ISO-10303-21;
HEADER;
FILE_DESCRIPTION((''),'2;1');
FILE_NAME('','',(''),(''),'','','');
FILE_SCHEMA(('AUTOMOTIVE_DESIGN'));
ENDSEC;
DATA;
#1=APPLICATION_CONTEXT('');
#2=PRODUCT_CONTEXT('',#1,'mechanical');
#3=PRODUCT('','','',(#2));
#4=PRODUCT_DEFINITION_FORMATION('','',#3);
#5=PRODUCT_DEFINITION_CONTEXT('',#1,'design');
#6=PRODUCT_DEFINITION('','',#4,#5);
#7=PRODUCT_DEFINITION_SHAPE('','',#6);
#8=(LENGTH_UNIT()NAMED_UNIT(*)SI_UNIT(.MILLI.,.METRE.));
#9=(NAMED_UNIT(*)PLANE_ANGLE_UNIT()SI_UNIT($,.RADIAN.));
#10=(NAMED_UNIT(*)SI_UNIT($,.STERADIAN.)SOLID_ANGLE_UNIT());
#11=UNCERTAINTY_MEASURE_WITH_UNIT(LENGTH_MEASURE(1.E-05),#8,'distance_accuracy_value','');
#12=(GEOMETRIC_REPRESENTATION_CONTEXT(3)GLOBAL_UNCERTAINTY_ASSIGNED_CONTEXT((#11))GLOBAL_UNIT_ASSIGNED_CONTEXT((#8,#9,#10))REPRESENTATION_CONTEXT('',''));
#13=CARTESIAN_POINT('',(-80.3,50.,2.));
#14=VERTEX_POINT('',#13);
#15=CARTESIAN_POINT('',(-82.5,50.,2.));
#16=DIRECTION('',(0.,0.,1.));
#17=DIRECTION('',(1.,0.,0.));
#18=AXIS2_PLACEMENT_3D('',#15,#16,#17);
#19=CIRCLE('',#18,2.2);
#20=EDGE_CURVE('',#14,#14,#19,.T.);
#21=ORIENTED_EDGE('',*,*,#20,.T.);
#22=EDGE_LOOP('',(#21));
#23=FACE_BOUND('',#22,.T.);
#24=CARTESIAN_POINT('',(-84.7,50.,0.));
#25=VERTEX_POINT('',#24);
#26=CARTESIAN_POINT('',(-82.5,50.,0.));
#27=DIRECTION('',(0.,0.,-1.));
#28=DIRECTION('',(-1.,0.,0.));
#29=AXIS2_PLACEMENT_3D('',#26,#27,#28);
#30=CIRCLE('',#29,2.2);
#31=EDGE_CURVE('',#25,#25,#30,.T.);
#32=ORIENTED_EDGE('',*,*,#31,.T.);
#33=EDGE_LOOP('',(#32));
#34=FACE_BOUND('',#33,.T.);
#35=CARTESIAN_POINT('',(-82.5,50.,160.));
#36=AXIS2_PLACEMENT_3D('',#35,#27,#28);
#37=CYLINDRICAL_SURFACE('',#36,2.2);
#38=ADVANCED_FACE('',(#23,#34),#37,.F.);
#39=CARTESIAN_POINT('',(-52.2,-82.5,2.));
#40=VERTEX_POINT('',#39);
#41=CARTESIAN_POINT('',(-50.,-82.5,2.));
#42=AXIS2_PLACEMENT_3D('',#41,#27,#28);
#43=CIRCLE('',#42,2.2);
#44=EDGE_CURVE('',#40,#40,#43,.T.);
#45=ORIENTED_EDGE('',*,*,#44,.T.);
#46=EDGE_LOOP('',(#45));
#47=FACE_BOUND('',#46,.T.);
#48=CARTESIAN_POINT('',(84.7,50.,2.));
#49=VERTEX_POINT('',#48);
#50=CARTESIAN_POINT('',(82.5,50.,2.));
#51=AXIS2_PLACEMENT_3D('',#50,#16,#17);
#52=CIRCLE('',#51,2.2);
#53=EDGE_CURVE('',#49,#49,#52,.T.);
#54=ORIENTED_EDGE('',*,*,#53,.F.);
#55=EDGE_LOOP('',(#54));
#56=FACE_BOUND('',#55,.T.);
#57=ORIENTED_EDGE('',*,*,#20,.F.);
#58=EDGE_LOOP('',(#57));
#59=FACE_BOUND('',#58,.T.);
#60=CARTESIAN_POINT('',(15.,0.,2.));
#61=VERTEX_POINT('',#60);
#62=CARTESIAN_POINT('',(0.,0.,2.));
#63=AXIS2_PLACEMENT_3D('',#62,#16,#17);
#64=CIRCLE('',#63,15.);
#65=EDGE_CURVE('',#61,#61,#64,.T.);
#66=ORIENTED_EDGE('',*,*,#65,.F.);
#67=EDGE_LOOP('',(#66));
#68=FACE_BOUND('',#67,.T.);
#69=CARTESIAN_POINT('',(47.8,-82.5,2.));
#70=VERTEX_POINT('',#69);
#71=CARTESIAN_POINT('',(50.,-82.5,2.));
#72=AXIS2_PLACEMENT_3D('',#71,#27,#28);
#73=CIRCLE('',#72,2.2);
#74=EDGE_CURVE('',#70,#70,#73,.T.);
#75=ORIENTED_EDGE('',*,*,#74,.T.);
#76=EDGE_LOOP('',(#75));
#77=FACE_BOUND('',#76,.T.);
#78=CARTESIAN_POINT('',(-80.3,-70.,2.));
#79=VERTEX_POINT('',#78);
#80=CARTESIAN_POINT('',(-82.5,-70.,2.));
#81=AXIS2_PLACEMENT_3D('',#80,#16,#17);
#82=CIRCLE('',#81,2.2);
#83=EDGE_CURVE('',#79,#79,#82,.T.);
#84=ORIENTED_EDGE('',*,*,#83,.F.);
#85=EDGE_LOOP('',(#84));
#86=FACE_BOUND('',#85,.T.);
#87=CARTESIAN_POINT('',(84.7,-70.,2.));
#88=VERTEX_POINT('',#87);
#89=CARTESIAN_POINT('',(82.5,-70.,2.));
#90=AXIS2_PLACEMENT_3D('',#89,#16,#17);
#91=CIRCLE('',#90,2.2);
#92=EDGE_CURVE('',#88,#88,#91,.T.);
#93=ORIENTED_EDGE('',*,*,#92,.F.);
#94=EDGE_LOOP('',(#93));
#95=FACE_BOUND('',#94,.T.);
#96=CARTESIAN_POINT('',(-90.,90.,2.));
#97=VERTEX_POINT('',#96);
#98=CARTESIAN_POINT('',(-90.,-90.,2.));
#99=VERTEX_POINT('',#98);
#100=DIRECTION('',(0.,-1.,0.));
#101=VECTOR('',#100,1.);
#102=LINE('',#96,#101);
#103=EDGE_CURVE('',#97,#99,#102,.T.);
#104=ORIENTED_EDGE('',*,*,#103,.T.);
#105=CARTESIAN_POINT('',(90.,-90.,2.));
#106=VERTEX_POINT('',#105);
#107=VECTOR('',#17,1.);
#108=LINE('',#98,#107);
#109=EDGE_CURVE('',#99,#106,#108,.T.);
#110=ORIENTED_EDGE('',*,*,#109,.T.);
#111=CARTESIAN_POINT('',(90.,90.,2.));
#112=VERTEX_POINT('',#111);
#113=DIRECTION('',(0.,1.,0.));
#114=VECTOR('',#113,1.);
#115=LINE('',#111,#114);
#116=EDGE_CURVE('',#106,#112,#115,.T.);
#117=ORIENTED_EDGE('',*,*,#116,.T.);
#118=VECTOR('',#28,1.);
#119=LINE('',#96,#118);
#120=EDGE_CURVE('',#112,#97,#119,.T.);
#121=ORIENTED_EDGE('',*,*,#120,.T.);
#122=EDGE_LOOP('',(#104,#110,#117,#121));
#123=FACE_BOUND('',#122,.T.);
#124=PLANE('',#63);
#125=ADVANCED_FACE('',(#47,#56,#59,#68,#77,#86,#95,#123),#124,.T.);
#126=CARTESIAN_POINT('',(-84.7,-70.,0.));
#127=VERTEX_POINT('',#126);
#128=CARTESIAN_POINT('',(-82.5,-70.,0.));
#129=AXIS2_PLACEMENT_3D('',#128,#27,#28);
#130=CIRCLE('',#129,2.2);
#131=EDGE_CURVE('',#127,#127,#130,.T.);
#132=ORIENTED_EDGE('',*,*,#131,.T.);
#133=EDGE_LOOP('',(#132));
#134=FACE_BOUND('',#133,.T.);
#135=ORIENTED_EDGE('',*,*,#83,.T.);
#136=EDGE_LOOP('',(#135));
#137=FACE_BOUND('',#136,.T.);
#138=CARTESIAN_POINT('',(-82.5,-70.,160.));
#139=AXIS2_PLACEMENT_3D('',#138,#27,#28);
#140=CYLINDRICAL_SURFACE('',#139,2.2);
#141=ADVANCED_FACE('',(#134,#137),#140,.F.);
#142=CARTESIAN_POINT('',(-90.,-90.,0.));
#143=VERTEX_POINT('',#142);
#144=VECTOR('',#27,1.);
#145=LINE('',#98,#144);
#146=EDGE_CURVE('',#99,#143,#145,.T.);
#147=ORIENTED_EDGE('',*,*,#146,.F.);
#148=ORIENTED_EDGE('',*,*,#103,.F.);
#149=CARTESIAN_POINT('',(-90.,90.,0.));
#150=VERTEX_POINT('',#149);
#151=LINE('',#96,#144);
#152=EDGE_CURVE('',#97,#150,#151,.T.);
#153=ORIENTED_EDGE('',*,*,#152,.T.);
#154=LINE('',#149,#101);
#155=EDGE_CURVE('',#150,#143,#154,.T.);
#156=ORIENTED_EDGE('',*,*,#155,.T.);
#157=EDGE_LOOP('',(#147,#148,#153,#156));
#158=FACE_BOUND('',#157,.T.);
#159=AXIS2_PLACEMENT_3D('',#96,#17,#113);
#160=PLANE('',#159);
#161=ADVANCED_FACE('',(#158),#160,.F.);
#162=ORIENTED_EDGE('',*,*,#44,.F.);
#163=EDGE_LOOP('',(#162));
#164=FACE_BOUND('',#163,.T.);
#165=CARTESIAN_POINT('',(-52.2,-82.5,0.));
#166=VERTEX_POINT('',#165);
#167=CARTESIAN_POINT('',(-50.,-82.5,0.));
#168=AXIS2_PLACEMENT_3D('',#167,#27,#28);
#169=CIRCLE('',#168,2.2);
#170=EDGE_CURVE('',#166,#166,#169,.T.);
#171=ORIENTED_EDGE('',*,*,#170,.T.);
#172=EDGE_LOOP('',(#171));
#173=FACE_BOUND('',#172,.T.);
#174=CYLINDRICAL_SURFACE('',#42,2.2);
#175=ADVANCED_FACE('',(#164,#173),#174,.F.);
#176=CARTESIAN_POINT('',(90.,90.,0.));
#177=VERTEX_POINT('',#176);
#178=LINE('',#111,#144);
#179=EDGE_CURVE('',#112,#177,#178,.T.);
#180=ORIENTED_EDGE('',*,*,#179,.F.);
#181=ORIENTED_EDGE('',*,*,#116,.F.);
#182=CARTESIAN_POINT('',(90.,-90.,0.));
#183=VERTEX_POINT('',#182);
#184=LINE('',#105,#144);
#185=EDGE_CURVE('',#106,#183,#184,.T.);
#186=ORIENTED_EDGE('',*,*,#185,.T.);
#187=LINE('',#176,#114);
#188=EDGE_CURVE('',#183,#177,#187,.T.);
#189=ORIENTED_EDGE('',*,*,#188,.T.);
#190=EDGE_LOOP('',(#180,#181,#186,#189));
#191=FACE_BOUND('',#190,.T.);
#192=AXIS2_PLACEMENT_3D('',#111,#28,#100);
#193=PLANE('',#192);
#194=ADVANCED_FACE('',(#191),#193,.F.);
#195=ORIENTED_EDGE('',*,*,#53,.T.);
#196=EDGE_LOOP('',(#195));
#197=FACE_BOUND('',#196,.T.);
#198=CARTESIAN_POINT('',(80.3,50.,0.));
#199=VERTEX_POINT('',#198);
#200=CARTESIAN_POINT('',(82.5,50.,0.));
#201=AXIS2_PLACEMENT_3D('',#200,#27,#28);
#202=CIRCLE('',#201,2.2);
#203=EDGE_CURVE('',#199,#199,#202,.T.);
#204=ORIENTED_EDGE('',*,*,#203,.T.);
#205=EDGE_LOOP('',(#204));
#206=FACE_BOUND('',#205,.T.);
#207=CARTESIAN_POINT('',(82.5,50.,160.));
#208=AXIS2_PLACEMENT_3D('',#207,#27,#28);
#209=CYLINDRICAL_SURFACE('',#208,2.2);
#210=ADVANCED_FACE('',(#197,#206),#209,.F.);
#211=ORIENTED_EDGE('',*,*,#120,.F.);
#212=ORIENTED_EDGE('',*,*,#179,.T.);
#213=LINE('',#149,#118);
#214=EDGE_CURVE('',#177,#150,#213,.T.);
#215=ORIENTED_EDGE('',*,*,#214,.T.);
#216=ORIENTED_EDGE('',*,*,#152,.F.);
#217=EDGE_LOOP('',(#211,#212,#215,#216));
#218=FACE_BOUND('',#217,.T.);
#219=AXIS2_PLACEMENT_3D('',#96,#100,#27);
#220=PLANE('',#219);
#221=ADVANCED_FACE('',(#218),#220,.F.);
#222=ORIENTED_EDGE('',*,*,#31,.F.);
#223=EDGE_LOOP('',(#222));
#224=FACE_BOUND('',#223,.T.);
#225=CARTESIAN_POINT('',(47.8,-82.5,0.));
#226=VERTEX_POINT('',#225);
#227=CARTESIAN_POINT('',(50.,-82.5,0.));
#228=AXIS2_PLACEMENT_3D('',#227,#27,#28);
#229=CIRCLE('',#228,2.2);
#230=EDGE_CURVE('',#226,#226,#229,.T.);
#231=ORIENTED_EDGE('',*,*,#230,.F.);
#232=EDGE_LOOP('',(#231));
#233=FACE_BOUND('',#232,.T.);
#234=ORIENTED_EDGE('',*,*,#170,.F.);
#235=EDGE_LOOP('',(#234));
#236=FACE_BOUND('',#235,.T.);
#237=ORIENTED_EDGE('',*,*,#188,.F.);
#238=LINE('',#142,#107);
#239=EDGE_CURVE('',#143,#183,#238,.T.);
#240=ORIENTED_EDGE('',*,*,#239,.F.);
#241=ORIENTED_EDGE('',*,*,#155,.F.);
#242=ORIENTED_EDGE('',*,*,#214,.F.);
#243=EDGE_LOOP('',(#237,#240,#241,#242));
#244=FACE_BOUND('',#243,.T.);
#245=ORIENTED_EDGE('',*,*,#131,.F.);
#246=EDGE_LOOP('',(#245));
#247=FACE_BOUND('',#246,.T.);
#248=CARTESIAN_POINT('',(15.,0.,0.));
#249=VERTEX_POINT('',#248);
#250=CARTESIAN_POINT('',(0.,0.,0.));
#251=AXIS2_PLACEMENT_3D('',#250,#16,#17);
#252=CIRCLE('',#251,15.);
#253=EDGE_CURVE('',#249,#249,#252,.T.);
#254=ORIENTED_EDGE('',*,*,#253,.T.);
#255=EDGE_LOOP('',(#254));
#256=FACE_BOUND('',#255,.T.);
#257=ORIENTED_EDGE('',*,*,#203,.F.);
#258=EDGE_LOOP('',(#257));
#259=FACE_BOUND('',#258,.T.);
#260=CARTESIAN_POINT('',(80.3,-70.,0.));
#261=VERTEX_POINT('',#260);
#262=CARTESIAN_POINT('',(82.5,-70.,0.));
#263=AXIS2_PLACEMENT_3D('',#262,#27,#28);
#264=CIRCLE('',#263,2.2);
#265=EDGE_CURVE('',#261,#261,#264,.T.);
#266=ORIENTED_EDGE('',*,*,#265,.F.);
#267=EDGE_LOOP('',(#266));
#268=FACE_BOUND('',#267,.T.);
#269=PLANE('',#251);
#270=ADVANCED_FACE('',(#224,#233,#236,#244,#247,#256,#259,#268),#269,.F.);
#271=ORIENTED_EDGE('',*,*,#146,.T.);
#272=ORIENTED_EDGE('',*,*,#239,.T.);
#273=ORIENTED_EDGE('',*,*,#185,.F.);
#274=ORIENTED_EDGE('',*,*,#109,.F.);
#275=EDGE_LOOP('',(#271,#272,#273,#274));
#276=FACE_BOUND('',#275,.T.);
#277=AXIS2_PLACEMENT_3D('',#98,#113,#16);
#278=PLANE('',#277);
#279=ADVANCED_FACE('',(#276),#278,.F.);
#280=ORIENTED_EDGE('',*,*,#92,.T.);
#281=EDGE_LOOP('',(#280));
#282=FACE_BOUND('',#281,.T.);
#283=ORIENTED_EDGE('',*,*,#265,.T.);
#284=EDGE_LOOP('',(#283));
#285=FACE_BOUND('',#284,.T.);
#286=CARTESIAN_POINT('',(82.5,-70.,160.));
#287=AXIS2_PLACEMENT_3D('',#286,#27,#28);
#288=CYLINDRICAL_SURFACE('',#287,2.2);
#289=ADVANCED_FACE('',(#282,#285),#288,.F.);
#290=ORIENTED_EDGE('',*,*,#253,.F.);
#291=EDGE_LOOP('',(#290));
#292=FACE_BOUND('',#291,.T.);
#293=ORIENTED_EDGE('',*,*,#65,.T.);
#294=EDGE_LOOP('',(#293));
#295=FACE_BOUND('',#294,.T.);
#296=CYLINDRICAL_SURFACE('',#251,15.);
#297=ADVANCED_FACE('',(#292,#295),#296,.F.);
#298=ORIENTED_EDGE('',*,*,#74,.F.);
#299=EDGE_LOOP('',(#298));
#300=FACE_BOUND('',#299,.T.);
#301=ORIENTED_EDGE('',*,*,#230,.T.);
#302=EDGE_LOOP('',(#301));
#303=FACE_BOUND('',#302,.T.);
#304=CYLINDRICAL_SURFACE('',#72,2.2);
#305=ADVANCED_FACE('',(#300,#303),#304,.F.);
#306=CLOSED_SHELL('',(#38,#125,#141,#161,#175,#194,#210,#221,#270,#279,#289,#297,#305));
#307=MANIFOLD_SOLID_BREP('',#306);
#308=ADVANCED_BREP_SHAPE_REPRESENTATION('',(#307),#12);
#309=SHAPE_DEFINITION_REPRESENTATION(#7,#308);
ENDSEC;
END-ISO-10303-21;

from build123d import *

# Parameters (mm, degrees)
SKETCH_1_W          = 180
SKETCH_1_H          = 180
EXTRUDE_1_DEPTH     = 2
SKETCH_2_R          = 15
CUT_EXTRUDE_1_DEPTH = 2
CUT_EXTRUDE_2_DEPTH = 3
SKETCH_4_R          = 2.2
CUT_EXTRUDE_3_DEPTH = 160


with BuildPart() as part:
    # ｽｹｯﾁ1 → ﾎﾞｽ - 押し出し1 (new body)
    with BuildSketch(Plane.XY):
        Rectangle(SKETCH_1_W, SKETCH_1_H)
    extrude(amount=EXTRUDE_1_DEPTH)

    # ｽｹｯﾁ2 → ｶｯﾄ - 押し出し1 (cut)
    with BuildSketch(Plane.XY.offset(2)):
        Circle(SKETCH_2_R)
    extrude(amount=-CUT_EXTRUDE_1_DEPTH, mode=Mode.SUBTRACT)

    # ｽｹｯﾁ3 → ｶｯﾄ - 押し出し2 (cut, through all)
    with BuildSketch(Plane(origin=(0, 0, 0), x_dir=(-1, 0, 0), z_dir=(0, 0, -1))):
        with BuildLine():
            ThreePointArc((-52.2, -82.5), (-51.555634919, -84.055634919), (-50, -84.7))
            Line((-50, -84.7), (-50, -82.5))
            Line((-50, -82.5), (-52.2, -82.5))
        make_face()
        with BuildLine():
            Line((-50, -82.5), (-50, -84.7))
            ThreePointArc((-50, -84.7), (-48.444365081, -84.055634919), (-47.8, -82.5))
            ThreePointArc((-47.8, -82.5), (-50, -80.3), (-52.2, -82.5))
            Line((-52.2, -82.5), (-50, -82.5))
        make_face()
        with BuildLine():
            ThreePointArc((52.2, -82.5), (48.444365081, -80.944365081), (50, -84.7))
            Line((50, -84.7), (50, -82.5))
            Line((50, -82.5), (52.2, -82.5))
        make_face()
        with BuildLine():
            Line((50, -82.5), (50, -84.7))
            ThreePointArc((50, -84.7), (51.555634919, -84.055634919), (52.2, -82.5))
            Line((52.2, -82.5), (50, -82.5))
        make_face()
    extrude(amount=-CUT_EXTRUDE_2_DEPTH, mode=Mode.SUBTRACT)

    # ｽｹｯﾁ4 → ｶｯﾄ - 押し出し3 (cut)
    with BuildSketch(Plane(origin=(0, 0, 0), x_dir=(-1, 0, 0), z_dir=(0, 0, -1))):
        with Locations((-82.5, -70)):
            Circle(SKETCH_4_R)
        with Locations((-82.5, 50)):
            Circle(SKETCH_4_R)
        with Locations((82.5, 50)):
            Circle(SKETCH_4_R)
        with Locations((82.5, -70)):
            Circle(SKETCH_4_R)
    extrude(amount=-CUT_EXTRUDE_3_DEPTH, mode=Mode.SUBTRACT)


solid = part.part
